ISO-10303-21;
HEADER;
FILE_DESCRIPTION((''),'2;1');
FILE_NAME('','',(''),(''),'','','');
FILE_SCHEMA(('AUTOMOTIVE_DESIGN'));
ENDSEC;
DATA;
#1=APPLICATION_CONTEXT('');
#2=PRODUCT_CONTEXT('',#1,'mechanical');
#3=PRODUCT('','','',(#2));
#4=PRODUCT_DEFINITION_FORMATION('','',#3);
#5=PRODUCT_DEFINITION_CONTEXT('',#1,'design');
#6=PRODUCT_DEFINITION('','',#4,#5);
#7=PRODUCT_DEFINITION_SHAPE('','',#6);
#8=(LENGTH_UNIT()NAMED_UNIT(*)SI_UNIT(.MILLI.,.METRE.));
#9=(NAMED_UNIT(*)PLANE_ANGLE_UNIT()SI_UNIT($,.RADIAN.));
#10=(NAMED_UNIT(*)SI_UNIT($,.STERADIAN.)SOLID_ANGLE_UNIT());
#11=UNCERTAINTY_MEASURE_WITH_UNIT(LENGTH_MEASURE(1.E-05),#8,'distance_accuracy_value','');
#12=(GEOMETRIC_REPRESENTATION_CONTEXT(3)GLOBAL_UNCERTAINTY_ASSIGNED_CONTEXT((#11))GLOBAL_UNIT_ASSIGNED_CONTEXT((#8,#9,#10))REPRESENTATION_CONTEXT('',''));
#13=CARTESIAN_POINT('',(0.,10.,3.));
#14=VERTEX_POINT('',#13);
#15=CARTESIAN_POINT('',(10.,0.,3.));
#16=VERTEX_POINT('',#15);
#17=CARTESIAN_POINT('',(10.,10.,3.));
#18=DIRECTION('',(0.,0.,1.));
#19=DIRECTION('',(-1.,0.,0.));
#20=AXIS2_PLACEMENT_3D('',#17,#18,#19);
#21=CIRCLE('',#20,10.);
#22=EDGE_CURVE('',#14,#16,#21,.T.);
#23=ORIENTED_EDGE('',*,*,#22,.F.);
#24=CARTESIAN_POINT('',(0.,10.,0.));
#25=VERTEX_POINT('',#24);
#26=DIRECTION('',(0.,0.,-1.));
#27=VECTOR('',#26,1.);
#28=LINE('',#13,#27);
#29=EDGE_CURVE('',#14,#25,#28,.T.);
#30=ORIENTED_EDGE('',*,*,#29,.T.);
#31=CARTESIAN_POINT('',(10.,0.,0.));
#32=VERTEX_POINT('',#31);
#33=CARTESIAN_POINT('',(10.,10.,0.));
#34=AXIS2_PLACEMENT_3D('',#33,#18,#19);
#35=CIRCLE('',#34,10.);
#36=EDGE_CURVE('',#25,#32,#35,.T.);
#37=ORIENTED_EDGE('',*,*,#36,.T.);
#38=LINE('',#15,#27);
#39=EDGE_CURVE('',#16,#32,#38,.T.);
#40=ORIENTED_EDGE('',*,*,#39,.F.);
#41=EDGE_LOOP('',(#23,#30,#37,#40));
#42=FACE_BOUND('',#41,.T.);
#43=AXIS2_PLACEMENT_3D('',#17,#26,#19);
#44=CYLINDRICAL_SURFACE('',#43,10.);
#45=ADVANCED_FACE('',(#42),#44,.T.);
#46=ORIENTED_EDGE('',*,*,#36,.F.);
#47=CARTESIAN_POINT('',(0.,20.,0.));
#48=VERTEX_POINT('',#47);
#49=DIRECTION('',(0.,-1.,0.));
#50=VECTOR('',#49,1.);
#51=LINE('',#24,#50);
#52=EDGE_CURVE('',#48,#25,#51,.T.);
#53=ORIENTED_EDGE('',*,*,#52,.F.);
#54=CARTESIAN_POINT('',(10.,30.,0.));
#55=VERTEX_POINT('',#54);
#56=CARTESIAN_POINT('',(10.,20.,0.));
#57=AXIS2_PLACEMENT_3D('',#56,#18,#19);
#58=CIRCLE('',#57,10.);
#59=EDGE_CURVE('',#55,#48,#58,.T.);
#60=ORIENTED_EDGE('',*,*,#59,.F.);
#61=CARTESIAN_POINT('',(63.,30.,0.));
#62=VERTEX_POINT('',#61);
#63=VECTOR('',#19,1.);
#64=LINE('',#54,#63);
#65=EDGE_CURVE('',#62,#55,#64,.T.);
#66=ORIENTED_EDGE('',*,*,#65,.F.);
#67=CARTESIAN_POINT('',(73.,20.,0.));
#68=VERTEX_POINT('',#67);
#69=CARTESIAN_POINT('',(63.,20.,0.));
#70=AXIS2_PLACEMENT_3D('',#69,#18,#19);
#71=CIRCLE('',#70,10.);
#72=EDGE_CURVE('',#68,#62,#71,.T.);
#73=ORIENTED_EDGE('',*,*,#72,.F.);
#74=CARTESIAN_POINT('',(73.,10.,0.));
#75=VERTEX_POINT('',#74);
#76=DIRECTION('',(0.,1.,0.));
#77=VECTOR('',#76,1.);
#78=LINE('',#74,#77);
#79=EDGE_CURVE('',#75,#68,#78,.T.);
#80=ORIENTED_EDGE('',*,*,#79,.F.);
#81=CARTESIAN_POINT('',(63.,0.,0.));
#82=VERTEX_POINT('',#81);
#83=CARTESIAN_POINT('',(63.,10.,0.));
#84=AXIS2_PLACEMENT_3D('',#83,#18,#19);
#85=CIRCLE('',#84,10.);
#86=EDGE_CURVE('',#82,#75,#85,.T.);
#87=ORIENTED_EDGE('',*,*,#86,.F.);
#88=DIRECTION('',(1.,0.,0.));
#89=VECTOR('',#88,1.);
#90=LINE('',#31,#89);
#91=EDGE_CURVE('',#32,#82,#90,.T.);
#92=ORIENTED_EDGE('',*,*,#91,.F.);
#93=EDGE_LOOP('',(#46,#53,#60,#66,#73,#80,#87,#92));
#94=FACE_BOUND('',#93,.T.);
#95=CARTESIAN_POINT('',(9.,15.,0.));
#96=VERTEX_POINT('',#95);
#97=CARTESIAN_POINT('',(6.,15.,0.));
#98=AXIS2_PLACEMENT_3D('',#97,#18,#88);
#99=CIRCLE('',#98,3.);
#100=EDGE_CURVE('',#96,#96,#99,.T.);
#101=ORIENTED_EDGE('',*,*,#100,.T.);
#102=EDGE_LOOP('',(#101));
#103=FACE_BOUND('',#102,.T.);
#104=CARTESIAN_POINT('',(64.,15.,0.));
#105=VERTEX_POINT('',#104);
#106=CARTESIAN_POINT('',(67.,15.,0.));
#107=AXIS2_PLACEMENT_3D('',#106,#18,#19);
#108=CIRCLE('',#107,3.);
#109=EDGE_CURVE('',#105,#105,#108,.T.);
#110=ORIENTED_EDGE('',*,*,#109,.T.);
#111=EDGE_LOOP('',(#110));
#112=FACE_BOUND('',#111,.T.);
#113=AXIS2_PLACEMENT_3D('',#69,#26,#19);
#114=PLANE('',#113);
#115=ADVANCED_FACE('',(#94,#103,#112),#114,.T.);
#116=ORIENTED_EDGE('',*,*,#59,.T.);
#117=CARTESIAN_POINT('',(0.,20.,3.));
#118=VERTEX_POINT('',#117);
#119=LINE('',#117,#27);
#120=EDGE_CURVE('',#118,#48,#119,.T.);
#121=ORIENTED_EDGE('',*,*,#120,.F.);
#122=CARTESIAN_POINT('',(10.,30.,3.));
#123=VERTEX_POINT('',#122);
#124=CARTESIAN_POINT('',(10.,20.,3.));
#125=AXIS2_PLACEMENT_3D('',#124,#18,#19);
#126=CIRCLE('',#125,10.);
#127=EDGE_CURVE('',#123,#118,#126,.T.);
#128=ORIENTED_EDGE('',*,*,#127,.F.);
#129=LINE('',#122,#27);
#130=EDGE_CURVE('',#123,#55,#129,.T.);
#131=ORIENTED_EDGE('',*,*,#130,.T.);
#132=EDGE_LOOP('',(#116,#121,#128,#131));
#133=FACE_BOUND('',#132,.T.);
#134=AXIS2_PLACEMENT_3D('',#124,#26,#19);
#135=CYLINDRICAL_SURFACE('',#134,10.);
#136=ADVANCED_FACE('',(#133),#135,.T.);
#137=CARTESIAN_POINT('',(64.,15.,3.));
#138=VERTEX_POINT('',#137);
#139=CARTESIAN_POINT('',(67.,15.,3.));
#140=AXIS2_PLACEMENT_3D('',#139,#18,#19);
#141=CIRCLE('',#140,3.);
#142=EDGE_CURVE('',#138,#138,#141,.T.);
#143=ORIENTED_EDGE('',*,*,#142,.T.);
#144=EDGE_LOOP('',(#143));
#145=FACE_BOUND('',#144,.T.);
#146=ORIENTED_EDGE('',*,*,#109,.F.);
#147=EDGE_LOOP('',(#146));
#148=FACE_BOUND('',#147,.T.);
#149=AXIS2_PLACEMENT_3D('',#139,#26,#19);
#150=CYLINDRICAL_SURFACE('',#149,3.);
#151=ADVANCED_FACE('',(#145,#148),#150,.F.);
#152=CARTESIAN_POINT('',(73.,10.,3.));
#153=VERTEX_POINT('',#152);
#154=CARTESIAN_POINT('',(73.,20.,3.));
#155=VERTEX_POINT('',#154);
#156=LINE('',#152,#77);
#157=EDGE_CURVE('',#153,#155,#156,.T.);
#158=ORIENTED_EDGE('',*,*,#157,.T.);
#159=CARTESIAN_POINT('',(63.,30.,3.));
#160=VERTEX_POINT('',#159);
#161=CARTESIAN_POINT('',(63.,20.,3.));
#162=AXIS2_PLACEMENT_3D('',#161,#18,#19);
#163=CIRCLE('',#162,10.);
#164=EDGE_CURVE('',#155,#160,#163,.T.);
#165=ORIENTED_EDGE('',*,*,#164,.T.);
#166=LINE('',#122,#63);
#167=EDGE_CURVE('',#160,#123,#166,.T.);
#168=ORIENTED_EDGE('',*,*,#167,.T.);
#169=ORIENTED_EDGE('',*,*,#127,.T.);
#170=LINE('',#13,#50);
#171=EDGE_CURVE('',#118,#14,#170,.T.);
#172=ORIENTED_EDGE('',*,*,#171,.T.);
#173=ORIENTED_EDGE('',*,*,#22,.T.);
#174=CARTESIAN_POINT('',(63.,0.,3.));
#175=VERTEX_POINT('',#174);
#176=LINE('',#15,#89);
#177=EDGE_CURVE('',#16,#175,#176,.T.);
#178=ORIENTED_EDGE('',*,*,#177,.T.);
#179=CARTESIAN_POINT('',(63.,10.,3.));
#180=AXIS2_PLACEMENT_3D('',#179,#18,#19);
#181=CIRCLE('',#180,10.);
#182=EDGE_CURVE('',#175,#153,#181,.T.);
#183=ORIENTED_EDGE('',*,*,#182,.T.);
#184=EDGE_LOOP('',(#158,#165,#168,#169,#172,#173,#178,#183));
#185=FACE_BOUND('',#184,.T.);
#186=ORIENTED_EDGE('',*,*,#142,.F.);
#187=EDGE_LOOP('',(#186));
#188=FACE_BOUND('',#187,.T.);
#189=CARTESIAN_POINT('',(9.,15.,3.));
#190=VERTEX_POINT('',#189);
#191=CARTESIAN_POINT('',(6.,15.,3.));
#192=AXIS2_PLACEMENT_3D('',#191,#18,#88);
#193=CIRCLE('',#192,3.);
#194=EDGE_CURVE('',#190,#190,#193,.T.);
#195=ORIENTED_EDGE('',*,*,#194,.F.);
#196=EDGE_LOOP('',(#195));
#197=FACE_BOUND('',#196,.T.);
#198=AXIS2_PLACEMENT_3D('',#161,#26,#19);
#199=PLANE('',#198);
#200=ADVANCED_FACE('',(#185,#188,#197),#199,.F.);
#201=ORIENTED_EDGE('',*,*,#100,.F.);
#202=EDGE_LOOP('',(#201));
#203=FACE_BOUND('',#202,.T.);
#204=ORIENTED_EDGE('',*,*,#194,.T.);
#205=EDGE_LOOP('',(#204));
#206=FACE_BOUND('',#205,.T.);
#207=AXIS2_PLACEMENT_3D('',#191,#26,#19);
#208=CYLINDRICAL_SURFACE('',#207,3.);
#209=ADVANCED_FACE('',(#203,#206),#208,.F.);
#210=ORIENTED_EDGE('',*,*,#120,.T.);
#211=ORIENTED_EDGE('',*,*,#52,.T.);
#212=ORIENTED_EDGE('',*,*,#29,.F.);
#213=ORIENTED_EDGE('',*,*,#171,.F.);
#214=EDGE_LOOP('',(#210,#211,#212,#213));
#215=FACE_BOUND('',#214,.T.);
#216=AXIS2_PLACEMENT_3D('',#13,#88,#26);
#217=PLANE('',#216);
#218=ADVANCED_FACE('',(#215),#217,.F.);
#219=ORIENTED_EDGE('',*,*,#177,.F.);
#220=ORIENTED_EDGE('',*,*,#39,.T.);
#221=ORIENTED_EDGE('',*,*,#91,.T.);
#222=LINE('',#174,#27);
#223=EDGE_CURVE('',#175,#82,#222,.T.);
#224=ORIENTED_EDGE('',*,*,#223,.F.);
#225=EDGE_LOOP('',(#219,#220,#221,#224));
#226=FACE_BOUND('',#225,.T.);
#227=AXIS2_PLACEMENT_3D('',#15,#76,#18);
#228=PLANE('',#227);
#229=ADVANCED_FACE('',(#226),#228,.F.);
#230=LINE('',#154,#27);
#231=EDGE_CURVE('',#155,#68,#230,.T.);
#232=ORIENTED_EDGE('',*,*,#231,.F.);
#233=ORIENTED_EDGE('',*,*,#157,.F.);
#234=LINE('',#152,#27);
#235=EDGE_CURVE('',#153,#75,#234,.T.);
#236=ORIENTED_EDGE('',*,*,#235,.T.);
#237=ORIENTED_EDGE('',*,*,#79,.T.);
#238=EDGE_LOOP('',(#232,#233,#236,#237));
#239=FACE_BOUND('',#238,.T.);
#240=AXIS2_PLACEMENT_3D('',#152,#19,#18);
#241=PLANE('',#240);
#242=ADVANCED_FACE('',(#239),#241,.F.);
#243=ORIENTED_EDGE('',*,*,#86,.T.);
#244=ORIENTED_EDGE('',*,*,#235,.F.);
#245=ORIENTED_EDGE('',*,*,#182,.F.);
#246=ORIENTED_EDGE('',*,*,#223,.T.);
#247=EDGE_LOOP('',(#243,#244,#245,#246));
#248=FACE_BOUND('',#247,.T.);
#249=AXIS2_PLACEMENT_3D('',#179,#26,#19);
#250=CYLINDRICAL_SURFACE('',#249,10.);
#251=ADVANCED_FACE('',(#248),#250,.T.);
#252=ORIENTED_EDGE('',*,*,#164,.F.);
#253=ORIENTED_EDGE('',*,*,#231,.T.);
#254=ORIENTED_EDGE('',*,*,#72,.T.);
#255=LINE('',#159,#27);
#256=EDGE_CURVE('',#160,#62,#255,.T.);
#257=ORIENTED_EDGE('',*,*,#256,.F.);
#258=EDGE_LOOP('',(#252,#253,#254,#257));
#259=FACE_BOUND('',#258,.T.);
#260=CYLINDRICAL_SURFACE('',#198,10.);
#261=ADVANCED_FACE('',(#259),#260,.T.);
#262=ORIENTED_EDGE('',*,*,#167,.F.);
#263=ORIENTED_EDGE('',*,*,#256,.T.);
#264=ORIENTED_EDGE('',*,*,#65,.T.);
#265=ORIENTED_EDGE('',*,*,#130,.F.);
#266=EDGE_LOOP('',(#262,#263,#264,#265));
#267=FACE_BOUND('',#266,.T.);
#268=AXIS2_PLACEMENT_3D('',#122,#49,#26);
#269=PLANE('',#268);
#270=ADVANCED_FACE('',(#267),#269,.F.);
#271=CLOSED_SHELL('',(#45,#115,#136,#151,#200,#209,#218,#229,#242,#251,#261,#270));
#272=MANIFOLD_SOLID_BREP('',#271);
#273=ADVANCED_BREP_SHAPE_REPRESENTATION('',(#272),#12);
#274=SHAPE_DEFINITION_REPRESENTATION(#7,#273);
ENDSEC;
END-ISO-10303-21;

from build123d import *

# Parameters (mm, degrees)
SKETCH_3_R      = 3
EXTRUDE_1_DEPTH = 3


with BuildPart() as part:
    # 草图3 → 凸台-拉伸1 (new body)
    with BuildSketch(Plane.XY):
        with BuildLine():
            Line((10, 0), (63, 0))
            ThreePointArc((63, 0), (70.071067812, 2.928932188), (73, 10))
            Line((73, 10), (73, 20))
            ThreePointArc((73, 20), (70.071067812, 27.071067812), (63, 30))
            Line((63, 30), (10, 30))
            ThreePointArc((10, 30), (2.928932188, 27.071067812), (0, 20))
            Line((0, 20), (0, 10))
            ThreePointArc((0, 10), (2.928932188, 2.928932188), (10, 0))
        make_face()
        with Locations((6, 15)):
            Circle(SKETCH_3_R, mode=Mode.SUBTRACT)
        with Locations(Location((67, 15, 0), (0, 0, 180))):
            Circle(SKETCH_3_R, mode=Mode.SUBTRACT)
    extrude(amount=EXTRUDE_1_DEPTH)


solid = part.part
